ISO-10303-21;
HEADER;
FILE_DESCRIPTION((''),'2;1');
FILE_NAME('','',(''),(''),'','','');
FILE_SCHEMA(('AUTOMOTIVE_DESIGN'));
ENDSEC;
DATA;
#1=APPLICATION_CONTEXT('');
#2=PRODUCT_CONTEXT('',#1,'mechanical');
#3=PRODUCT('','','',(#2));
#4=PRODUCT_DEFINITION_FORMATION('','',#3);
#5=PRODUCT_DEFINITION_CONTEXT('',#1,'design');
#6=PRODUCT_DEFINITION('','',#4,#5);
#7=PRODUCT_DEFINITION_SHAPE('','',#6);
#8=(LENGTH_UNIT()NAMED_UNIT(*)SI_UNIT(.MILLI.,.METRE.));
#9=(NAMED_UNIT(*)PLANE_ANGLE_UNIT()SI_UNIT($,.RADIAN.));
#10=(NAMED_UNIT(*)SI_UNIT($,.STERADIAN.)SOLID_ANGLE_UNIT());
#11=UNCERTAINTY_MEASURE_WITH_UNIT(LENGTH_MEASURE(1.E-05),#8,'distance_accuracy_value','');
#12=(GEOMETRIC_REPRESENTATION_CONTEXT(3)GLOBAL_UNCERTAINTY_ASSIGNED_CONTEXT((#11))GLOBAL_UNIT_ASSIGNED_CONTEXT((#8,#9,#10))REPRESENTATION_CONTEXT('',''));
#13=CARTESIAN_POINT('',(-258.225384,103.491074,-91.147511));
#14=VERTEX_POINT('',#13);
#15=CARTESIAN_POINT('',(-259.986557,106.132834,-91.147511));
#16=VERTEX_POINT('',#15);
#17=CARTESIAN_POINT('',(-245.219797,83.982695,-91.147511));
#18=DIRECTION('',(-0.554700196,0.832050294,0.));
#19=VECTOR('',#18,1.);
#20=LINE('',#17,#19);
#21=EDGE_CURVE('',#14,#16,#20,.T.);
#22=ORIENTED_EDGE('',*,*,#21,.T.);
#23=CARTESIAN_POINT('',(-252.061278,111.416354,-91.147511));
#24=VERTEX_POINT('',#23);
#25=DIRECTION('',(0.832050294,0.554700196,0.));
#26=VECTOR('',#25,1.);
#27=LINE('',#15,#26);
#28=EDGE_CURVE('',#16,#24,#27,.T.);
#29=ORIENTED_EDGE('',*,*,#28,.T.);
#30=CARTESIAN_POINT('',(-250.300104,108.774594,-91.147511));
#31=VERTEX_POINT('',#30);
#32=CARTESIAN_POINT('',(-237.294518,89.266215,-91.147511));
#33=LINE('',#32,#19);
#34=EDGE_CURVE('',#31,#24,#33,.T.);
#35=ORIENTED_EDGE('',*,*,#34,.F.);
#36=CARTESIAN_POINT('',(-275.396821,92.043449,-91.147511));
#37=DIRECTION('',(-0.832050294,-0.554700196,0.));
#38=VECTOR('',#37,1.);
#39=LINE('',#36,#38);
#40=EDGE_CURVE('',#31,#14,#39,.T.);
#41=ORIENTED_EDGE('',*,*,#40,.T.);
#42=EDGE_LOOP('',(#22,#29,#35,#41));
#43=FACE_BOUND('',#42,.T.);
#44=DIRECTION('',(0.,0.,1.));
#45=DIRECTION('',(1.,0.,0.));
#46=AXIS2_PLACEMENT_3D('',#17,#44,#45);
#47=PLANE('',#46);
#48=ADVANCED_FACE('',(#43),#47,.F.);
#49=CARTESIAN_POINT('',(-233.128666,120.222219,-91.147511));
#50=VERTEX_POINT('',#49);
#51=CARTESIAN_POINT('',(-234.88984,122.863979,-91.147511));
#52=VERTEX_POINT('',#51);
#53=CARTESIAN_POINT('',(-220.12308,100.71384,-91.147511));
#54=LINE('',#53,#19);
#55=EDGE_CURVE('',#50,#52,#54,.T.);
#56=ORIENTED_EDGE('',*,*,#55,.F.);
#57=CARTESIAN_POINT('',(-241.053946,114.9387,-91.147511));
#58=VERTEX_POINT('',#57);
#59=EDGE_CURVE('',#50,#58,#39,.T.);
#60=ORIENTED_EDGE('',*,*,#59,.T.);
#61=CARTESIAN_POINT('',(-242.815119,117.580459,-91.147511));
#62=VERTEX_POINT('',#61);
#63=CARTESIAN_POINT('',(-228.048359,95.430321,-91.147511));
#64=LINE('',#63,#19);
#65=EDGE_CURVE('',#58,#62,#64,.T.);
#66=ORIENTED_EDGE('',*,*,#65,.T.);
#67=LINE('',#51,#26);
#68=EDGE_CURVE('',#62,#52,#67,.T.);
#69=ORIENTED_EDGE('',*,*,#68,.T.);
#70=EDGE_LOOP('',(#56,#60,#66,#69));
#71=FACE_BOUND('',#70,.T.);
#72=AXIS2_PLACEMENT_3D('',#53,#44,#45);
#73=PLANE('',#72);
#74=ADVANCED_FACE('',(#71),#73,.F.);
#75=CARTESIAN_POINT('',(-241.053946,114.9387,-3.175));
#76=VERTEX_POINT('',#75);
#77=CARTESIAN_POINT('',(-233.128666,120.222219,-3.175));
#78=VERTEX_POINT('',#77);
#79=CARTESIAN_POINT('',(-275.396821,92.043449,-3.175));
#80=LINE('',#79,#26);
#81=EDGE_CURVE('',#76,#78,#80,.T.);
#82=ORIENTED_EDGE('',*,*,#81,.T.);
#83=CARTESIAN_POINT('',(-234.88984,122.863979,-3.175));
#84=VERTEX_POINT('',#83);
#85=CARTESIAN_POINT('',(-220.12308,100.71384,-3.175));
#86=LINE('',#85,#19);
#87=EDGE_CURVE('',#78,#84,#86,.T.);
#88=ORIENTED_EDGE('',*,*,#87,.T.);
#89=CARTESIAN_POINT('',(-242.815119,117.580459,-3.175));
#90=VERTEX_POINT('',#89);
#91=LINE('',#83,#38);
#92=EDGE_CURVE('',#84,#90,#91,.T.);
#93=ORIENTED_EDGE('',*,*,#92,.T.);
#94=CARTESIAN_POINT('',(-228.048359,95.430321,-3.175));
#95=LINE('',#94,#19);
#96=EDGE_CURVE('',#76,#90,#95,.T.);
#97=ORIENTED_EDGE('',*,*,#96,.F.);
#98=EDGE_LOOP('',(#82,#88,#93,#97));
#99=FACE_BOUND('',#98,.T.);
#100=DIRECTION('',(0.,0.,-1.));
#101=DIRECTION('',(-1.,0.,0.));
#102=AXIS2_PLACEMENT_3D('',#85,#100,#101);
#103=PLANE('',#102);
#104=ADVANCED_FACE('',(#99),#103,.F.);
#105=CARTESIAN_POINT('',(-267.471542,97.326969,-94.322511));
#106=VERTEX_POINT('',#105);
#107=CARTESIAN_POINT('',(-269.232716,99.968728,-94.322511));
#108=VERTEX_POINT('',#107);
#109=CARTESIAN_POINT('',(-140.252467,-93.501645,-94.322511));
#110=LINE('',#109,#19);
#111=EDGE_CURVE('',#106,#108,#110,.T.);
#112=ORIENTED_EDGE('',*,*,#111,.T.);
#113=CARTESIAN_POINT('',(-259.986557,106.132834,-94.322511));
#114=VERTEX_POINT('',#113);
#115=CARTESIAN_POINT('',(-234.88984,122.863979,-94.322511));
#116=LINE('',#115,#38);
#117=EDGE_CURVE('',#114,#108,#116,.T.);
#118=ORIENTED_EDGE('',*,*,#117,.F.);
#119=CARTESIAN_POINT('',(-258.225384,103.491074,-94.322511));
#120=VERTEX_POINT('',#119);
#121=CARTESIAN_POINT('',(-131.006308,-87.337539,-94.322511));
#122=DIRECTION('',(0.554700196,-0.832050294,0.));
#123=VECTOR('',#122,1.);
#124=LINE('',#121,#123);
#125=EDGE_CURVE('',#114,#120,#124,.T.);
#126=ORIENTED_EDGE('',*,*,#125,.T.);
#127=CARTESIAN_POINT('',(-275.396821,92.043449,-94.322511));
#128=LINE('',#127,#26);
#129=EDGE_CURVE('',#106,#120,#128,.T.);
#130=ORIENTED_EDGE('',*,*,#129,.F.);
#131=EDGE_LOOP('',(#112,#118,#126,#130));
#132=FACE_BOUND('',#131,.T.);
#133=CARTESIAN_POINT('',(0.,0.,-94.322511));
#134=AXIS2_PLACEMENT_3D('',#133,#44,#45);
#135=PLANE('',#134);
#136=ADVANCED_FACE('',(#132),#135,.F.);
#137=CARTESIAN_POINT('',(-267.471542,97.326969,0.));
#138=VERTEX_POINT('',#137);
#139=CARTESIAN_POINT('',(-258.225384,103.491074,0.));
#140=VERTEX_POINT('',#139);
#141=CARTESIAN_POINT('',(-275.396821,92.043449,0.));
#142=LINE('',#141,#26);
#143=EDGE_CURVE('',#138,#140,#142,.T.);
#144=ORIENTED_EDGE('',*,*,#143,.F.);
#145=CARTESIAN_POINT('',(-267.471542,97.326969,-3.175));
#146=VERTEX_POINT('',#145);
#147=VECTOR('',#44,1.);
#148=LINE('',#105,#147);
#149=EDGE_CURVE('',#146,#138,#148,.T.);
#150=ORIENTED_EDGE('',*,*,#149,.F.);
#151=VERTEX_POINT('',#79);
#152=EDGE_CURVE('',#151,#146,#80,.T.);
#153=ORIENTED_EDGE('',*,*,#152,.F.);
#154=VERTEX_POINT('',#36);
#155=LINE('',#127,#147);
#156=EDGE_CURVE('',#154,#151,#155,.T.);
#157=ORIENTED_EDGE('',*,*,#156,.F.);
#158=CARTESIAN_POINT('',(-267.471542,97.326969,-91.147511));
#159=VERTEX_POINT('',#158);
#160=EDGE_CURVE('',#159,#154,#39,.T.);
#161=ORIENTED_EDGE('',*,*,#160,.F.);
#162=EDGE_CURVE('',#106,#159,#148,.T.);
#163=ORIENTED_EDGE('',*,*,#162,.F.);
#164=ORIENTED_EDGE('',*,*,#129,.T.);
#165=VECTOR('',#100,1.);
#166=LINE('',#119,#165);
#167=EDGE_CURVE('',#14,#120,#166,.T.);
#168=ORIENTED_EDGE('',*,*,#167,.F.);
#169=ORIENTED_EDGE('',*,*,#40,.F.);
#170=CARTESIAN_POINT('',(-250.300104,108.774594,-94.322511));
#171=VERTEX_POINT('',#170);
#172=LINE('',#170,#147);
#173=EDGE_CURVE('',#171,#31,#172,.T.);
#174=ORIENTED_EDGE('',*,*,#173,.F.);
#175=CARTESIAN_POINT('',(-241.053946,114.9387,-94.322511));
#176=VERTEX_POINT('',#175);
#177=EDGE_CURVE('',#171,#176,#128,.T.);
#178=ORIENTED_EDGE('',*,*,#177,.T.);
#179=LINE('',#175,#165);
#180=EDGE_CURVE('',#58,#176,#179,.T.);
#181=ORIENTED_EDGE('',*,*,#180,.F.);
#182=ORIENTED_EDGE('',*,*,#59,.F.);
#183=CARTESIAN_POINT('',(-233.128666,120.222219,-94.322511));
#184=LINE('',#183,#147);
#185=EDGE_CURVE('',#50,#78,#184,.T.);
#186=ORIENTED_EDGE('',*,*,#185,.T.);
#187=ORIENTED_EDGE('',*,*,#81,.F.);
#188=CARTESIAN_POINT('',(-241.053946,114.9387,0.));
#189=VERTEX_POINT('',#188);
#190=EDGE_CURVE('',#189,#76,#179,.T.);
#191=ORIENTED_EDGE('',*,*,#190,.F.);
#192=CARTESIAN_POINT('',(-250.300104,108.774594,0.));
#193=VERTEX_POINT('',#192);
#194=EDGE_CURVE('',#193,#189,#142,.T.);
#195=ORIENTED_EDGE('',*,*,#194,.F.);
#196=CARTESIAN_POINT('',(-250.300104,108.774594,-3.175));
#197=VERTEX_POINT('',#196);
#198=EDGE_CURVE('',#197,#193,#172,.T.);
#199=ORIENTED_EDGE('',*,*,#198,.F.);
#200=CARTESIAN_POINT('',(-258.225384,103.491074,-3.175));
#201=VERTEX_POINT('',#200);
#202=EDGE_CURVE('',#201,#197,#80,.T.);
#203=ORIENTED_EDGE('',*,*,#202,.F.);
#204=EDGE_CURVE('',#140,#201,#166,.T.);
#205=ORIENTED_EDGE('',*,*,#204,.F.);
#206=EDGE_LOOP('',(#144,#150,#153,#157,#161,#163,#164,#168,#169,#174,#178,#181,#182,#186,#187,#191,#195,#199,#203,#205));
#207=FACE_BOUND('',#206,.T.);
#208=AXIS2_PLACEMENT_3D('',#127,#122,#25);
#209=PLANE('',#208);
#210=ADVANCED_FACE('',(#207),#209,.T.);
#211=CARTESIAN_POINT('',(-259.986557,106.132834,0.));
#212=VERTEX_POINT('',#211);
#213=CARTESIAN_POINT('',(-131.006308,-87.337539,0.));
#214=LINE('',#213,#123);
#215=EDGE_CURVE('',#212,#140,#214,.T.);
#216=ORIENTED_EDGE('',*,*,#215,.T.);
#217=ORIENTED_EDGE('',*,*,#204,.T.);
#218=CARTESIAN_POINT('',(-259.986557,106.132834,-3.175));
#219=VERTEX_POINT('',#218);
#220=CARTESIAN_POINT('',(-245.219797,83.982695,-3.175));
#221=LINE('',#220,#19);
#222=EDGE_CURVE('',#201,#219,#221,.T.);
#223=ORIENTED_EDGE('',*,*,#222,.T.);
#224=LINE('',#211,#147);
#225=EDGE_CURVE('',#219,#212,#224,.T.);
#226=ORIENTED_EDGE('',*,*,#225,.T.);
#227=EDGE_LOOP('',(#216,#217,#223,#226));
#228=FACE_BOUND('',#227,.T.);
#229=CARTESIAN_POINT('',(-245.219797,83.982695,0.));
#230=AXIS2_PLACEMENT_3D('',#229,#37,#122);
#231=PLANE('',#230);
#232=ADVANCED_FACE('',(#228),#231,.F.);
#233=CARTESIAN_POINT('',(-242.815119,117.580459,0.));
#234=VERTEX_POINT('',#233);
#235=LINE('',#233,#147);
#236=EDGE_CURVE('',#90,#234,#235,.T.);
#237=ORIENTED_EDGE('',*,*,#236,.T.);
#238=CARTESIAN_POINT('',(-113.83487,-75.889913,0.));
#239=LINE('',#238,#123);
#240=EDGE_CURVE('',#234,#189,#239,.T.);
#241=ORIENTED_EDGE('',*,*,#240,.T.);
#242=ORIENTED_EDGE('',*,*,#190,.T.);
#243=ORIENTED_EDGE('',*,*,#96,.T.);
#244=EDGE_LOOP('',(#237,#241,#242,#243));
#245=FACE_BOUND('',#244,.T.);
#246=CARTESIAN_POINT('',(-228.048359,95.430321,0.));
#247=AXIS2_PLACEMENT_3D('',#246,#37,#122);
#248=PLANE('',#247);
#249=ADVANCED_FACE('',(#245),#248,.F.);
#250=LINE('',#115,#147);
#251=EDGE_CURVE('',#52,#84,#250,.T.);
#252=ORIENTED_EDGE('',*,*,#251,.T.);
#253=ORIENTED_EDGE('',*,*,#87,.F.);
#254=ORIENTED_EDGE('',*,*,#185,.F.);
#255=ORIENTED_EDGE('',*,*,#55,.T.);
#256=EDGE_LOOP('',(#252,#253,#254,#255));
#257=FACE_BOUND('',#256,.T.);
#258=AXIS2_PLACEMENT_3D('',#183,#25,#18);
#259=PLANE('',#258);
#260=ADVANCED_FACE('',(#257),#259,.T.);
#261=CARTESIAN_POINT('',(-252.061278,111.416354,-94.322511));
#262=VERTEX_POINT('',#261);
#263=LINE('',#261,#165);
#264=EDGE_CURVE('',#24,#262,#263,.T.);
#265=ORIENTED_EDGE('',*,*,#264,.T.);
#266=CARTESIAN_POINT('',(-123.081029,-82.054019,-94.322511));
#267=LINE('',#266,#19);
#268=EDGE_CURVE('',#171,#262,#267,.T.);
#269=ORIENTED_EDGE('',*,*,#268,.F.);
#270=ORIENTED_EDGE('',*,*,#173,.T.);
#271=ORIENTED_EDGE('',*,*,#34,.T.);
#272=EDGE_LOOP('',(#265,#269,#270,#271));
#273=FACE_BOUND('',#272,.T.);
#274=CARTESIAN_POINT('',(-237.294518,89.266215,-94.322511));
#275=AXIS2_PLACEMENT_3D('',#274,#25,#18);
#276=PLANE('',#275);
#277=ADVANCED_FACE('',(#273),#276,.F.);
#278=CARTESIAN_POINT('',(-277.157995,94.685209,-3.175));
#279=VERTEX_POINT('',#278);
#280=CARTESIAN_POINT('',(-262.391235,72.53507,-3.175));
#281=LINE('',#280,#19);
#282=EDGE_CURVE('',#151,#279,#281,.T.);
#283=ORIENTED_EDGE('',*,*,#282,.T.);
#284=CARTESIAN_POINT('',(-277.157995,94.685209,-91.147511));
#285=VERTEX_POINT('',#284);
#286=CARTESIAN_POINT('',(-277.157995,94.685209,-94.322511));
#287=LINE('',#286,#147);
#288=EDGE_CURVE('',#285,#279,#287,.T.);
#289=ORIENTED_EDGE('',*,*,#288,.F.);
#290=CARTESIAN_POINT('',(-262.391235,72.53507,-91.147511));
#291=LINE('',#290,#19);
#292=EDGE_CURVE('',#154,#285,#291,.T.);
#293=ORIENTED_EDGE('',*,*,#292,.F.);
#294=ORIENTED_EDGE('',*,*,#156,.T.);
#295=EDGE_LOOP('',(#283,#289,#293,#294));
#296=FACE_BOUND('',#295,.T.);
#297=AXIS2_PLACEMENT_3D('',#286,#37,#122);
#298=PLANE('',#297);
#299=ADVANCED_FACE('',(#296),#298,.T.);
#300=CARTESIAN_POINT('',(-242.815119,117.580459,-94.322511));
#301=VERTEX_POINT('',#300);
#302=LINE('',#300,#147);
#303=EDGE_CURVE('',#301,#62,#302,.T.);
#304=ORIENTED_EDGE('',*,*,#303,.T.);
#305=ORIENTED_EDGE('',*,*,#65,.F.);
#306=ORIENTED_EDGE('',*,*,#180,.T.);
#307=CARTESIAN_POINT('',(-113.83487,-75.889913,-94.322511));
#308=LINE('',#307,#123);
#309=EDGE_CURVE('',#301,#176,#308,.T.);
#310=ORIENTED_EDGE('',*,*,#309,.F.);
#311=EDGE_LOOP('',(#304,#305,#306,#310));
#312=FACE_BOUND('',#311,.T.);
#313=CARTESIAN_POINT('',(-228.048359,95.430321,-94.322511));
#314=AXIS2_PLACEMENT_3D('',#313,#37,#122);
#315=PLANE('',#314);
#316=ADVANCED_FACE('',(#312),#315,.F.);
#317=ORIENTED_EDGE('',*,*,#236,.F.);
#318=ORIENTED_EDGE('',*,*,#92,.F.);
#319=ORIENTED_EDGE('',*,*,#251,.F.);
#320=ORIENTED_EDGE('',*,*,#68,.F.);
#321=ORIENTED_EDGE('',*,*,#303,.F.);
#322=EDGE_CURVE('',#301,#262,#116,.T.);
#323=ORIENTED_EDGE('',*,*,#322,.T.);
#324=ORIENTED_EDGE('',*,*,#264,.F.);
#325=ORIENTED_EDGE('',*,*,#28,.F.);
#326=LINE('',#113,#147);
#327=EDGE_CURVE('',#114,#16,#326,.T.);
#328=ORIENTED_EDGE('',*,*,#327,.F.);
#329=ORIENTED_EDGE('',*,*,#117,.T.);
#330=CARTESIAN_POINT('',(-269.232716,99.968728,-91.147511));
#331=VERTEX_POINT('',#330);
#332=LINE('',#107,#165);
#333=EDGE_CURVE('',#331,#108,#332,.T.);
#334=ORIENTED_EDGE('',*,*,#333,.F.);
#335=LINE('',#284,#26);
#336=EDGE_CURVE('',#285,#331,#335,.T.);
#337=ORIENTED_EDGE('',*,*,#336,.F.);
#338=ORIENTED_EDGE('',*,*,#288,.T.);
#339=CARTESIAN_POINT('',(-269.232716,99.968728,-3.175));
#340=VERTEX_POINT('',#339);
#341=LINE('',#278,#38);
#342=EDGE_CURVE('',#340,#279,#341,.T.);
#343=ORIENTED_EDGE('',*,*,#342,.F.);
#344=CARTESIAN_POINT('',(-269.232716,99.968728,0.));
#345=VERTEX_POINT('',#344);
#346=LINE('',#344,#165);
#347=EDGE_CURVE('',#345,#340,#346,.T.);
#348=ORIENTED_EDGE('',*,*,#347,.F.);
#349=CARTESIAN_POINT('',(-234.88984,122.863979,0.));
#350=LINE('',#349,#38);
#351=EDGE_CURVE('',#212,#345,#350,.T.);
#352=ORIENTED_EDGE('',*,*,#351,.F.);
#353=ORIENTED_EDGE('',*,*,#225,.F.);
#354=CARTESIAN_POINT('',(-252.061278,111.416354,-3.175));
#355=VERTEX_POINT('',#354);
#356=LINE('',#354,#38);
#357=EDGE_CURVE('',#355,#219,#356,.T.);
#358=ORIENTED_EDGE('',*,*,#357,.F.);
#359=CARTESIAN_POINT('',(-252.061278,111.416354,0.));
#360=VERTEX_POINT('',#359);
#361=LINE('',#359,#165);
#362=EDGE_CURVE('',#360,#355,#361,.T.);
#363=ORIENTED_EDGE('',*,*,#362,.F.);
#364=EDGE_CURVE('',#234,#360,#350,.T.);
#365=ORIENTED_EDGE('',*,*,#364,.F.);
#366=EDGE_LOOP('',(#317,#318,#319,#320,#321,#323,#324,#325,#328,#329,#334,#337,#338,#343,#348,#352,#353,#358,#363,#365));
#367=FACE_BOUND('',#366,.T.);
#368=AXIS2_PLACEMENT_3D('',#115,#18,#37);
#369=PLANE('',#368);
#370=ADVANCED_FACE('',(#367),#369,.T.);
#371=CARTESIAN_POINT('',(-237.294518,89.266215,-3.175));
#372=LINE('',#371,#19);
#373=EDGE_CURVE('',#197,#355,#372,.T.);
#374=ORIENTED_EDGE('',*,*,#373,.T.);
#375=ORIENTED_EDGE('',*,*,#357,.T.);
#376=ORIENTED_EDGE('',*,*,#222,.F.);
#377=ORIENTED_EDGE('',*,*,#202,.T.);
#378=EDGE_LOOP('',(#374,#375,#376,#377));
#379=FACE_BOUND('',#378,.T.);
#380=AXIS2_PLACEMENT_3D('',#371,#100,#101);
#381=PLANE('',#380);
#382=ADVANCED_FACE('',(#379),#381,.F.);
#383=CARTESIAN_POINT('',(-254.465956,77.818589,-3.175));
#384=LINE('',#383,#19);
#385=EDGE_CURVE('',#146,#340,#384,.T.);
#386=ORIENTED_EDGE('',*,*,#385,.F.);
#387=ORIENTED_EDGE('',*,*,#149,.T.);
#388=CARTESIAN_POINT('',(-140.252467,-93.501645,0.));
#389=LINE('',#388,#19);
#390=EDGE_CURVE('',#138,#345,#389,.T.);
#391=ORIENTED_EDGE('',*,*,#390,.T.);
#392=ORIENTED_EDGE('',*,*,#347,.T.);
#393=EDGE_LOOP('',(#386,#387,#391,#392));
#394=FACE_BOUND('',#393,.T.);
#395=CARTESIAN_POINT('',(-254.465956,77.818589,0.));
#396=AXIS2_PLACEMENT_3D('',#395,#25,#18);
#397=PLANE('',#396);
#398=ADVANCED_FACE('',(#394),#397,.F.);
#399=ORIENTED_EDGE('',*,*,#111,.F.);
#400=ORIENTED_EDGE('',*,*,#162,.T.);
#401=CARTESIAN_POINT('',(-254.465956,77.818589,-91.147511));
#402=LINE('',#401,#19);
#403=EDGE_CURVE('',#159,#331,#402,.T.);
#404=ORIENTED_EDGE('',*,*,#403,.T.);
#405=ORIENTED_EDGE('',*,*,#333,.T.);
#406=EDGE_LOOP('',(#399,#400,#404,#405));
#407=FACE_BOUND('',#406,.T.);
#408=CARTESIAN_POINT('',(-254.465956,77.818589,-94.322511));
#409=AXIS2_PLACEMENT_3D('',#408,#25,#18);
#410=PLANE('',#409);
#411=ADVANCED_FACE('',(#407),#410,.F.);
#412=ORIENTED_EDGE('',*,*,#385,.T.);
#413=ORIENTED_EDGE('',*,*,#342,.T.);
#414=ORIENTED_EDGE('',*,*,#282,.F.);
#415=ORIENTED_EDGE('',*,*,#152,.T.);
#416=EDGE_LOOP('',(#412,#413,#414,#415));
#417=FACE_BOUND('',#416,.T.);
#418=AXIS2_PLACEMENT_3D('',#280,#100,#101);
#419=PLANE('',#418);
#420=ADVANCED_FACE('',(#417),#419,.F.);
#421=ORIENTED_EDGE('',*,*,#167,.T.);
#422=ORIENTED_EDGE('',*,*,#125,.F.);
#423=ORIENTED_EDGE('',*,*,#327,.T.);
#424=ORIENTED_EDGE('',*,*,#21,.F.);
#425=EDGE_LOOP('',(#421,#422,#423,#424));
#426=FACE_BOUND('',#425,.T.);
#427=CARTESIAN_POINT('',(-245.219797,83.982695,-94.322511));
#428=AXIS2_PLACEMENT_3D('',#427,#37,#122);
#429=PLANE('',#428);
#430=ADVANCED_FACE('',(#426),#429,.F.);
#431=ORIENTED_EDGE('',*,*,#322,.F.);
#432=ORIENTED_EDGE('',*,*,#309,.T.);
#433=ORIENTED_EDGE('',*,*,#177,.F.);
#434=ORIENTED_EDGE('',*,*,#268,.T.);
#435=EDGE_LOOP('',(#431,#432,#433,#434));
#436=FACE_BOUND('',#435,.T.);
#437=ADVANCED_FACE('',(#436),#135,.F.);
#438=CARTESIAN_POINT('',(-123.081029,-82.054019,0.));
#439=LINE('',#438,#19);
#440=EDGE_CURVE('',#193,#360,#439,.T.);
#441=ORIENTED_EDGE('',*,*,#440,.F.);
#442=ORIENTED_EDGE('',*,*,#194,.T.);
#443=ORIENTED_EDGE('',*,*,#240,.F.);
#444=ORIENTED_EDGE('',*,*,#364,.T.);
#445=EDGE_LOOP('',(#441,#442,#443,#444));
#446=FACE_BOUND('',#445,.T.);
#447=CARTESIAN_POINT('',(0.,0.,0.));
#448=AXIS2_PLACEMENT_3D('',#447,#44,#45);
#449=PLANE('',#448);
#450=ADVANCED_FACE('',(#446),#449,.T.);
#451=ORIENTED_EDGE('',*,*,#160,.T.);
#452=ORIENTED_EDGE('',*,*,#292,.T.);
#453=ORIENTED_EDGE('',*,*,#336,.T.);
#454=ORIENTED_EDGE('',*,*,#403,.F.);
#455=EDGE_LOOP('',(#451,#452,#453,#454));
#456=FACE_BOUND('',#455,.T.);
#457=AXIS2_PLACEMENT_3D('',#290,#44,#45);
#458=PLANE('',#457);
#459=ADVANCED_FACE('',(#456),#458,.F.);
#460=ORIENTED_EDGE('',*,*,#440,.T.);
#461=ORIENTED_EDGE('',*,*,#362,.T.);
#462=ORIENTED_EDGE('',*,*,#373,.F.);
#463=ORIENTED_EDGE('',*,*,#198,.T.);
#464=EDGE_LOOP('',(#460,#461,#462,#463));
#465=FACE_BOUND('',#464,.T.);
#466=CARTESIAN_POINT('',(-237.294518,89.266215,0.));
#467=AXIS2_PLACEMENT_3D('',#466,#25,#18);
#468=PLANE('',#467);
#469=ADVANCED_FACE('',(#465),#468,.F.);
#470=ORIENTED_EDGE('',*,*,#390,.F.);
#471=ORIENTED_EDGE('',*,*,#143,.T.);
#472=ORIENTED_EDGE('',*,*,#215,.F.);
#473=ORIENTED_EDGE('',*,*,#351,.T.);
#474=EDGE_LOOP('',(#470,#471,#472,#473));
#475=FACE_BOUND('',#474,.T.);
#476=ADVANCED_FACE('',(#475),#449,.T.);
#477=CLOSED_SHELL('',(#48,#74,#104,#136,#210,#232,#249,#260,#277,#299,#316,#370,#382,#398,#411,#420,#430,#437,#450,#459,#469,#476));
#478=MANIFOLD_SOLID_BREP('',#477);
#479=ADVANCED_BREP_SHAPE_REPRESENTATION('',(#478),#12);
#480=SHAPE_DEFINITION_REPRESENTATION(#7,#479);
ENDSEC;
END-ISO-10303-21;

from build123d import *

# Parameters (mm, degrees)
BOSS_EXTRUDE1_DEPTH = 94.322511
SKETCH2_W           = 9.525
SKETCH2_H           = 3.175
CUT_EXTRUDE1_DEPTH  = 203.831953457


with BuildPart() as part:
    # Sketch1 → Boss-Extrude1 (new body)
    with BuildSketch(Plane.XY):
        Polygon((-277.157994575, 94.685208843), (-275.396821452, 92.043449159), (-233.1286665, 120.222219127), (-234.889839623, 122.863978811), align=None)
    extrude(amount=-BOSS_EXTRUDE1_DEPTH)

    # Sketch2 → Cut-Extrude1 (cut, through all)
    with BuildSketch(Plane(origin=(-128.980248566, 193.470372849, 0), x_dir=(0.8320502943381458, 0.5547001962247761, 0), z_dir=(-0.5547001962247761, 0.8320502943381458, 0))):
        with Locations((-173.32498704, 92.735011379)):
            Rectangle(SKETCH2_W, SKETCH2_H)
        with Locations((-132.04998704, 92.735011379)):
            Rectangle(SKETCH2_W, SKETCH2_H)
        with Locations((-152.68748704, 92.735011379)):
            Rectangle(SKETCH2_W, SKETCH2_H)
        with Locations((-173.32498704, 1.5875)):
            Rectangle(SKETCH2_W, SKETCH2_H)
        with Locations((-132.04998704, 1.5875)):
            Rectangle(SKETCH2_W, SKETCH2_H)
        with Locations((-152.68748704, 1.5875)):
            Rectangle(SKETCH2_W, SKETCH2_H)
    extrude(amount=-CUT_EXTRUDE1_DEPTH, mode=Mode.SUBTRACT)


solid = part.part
